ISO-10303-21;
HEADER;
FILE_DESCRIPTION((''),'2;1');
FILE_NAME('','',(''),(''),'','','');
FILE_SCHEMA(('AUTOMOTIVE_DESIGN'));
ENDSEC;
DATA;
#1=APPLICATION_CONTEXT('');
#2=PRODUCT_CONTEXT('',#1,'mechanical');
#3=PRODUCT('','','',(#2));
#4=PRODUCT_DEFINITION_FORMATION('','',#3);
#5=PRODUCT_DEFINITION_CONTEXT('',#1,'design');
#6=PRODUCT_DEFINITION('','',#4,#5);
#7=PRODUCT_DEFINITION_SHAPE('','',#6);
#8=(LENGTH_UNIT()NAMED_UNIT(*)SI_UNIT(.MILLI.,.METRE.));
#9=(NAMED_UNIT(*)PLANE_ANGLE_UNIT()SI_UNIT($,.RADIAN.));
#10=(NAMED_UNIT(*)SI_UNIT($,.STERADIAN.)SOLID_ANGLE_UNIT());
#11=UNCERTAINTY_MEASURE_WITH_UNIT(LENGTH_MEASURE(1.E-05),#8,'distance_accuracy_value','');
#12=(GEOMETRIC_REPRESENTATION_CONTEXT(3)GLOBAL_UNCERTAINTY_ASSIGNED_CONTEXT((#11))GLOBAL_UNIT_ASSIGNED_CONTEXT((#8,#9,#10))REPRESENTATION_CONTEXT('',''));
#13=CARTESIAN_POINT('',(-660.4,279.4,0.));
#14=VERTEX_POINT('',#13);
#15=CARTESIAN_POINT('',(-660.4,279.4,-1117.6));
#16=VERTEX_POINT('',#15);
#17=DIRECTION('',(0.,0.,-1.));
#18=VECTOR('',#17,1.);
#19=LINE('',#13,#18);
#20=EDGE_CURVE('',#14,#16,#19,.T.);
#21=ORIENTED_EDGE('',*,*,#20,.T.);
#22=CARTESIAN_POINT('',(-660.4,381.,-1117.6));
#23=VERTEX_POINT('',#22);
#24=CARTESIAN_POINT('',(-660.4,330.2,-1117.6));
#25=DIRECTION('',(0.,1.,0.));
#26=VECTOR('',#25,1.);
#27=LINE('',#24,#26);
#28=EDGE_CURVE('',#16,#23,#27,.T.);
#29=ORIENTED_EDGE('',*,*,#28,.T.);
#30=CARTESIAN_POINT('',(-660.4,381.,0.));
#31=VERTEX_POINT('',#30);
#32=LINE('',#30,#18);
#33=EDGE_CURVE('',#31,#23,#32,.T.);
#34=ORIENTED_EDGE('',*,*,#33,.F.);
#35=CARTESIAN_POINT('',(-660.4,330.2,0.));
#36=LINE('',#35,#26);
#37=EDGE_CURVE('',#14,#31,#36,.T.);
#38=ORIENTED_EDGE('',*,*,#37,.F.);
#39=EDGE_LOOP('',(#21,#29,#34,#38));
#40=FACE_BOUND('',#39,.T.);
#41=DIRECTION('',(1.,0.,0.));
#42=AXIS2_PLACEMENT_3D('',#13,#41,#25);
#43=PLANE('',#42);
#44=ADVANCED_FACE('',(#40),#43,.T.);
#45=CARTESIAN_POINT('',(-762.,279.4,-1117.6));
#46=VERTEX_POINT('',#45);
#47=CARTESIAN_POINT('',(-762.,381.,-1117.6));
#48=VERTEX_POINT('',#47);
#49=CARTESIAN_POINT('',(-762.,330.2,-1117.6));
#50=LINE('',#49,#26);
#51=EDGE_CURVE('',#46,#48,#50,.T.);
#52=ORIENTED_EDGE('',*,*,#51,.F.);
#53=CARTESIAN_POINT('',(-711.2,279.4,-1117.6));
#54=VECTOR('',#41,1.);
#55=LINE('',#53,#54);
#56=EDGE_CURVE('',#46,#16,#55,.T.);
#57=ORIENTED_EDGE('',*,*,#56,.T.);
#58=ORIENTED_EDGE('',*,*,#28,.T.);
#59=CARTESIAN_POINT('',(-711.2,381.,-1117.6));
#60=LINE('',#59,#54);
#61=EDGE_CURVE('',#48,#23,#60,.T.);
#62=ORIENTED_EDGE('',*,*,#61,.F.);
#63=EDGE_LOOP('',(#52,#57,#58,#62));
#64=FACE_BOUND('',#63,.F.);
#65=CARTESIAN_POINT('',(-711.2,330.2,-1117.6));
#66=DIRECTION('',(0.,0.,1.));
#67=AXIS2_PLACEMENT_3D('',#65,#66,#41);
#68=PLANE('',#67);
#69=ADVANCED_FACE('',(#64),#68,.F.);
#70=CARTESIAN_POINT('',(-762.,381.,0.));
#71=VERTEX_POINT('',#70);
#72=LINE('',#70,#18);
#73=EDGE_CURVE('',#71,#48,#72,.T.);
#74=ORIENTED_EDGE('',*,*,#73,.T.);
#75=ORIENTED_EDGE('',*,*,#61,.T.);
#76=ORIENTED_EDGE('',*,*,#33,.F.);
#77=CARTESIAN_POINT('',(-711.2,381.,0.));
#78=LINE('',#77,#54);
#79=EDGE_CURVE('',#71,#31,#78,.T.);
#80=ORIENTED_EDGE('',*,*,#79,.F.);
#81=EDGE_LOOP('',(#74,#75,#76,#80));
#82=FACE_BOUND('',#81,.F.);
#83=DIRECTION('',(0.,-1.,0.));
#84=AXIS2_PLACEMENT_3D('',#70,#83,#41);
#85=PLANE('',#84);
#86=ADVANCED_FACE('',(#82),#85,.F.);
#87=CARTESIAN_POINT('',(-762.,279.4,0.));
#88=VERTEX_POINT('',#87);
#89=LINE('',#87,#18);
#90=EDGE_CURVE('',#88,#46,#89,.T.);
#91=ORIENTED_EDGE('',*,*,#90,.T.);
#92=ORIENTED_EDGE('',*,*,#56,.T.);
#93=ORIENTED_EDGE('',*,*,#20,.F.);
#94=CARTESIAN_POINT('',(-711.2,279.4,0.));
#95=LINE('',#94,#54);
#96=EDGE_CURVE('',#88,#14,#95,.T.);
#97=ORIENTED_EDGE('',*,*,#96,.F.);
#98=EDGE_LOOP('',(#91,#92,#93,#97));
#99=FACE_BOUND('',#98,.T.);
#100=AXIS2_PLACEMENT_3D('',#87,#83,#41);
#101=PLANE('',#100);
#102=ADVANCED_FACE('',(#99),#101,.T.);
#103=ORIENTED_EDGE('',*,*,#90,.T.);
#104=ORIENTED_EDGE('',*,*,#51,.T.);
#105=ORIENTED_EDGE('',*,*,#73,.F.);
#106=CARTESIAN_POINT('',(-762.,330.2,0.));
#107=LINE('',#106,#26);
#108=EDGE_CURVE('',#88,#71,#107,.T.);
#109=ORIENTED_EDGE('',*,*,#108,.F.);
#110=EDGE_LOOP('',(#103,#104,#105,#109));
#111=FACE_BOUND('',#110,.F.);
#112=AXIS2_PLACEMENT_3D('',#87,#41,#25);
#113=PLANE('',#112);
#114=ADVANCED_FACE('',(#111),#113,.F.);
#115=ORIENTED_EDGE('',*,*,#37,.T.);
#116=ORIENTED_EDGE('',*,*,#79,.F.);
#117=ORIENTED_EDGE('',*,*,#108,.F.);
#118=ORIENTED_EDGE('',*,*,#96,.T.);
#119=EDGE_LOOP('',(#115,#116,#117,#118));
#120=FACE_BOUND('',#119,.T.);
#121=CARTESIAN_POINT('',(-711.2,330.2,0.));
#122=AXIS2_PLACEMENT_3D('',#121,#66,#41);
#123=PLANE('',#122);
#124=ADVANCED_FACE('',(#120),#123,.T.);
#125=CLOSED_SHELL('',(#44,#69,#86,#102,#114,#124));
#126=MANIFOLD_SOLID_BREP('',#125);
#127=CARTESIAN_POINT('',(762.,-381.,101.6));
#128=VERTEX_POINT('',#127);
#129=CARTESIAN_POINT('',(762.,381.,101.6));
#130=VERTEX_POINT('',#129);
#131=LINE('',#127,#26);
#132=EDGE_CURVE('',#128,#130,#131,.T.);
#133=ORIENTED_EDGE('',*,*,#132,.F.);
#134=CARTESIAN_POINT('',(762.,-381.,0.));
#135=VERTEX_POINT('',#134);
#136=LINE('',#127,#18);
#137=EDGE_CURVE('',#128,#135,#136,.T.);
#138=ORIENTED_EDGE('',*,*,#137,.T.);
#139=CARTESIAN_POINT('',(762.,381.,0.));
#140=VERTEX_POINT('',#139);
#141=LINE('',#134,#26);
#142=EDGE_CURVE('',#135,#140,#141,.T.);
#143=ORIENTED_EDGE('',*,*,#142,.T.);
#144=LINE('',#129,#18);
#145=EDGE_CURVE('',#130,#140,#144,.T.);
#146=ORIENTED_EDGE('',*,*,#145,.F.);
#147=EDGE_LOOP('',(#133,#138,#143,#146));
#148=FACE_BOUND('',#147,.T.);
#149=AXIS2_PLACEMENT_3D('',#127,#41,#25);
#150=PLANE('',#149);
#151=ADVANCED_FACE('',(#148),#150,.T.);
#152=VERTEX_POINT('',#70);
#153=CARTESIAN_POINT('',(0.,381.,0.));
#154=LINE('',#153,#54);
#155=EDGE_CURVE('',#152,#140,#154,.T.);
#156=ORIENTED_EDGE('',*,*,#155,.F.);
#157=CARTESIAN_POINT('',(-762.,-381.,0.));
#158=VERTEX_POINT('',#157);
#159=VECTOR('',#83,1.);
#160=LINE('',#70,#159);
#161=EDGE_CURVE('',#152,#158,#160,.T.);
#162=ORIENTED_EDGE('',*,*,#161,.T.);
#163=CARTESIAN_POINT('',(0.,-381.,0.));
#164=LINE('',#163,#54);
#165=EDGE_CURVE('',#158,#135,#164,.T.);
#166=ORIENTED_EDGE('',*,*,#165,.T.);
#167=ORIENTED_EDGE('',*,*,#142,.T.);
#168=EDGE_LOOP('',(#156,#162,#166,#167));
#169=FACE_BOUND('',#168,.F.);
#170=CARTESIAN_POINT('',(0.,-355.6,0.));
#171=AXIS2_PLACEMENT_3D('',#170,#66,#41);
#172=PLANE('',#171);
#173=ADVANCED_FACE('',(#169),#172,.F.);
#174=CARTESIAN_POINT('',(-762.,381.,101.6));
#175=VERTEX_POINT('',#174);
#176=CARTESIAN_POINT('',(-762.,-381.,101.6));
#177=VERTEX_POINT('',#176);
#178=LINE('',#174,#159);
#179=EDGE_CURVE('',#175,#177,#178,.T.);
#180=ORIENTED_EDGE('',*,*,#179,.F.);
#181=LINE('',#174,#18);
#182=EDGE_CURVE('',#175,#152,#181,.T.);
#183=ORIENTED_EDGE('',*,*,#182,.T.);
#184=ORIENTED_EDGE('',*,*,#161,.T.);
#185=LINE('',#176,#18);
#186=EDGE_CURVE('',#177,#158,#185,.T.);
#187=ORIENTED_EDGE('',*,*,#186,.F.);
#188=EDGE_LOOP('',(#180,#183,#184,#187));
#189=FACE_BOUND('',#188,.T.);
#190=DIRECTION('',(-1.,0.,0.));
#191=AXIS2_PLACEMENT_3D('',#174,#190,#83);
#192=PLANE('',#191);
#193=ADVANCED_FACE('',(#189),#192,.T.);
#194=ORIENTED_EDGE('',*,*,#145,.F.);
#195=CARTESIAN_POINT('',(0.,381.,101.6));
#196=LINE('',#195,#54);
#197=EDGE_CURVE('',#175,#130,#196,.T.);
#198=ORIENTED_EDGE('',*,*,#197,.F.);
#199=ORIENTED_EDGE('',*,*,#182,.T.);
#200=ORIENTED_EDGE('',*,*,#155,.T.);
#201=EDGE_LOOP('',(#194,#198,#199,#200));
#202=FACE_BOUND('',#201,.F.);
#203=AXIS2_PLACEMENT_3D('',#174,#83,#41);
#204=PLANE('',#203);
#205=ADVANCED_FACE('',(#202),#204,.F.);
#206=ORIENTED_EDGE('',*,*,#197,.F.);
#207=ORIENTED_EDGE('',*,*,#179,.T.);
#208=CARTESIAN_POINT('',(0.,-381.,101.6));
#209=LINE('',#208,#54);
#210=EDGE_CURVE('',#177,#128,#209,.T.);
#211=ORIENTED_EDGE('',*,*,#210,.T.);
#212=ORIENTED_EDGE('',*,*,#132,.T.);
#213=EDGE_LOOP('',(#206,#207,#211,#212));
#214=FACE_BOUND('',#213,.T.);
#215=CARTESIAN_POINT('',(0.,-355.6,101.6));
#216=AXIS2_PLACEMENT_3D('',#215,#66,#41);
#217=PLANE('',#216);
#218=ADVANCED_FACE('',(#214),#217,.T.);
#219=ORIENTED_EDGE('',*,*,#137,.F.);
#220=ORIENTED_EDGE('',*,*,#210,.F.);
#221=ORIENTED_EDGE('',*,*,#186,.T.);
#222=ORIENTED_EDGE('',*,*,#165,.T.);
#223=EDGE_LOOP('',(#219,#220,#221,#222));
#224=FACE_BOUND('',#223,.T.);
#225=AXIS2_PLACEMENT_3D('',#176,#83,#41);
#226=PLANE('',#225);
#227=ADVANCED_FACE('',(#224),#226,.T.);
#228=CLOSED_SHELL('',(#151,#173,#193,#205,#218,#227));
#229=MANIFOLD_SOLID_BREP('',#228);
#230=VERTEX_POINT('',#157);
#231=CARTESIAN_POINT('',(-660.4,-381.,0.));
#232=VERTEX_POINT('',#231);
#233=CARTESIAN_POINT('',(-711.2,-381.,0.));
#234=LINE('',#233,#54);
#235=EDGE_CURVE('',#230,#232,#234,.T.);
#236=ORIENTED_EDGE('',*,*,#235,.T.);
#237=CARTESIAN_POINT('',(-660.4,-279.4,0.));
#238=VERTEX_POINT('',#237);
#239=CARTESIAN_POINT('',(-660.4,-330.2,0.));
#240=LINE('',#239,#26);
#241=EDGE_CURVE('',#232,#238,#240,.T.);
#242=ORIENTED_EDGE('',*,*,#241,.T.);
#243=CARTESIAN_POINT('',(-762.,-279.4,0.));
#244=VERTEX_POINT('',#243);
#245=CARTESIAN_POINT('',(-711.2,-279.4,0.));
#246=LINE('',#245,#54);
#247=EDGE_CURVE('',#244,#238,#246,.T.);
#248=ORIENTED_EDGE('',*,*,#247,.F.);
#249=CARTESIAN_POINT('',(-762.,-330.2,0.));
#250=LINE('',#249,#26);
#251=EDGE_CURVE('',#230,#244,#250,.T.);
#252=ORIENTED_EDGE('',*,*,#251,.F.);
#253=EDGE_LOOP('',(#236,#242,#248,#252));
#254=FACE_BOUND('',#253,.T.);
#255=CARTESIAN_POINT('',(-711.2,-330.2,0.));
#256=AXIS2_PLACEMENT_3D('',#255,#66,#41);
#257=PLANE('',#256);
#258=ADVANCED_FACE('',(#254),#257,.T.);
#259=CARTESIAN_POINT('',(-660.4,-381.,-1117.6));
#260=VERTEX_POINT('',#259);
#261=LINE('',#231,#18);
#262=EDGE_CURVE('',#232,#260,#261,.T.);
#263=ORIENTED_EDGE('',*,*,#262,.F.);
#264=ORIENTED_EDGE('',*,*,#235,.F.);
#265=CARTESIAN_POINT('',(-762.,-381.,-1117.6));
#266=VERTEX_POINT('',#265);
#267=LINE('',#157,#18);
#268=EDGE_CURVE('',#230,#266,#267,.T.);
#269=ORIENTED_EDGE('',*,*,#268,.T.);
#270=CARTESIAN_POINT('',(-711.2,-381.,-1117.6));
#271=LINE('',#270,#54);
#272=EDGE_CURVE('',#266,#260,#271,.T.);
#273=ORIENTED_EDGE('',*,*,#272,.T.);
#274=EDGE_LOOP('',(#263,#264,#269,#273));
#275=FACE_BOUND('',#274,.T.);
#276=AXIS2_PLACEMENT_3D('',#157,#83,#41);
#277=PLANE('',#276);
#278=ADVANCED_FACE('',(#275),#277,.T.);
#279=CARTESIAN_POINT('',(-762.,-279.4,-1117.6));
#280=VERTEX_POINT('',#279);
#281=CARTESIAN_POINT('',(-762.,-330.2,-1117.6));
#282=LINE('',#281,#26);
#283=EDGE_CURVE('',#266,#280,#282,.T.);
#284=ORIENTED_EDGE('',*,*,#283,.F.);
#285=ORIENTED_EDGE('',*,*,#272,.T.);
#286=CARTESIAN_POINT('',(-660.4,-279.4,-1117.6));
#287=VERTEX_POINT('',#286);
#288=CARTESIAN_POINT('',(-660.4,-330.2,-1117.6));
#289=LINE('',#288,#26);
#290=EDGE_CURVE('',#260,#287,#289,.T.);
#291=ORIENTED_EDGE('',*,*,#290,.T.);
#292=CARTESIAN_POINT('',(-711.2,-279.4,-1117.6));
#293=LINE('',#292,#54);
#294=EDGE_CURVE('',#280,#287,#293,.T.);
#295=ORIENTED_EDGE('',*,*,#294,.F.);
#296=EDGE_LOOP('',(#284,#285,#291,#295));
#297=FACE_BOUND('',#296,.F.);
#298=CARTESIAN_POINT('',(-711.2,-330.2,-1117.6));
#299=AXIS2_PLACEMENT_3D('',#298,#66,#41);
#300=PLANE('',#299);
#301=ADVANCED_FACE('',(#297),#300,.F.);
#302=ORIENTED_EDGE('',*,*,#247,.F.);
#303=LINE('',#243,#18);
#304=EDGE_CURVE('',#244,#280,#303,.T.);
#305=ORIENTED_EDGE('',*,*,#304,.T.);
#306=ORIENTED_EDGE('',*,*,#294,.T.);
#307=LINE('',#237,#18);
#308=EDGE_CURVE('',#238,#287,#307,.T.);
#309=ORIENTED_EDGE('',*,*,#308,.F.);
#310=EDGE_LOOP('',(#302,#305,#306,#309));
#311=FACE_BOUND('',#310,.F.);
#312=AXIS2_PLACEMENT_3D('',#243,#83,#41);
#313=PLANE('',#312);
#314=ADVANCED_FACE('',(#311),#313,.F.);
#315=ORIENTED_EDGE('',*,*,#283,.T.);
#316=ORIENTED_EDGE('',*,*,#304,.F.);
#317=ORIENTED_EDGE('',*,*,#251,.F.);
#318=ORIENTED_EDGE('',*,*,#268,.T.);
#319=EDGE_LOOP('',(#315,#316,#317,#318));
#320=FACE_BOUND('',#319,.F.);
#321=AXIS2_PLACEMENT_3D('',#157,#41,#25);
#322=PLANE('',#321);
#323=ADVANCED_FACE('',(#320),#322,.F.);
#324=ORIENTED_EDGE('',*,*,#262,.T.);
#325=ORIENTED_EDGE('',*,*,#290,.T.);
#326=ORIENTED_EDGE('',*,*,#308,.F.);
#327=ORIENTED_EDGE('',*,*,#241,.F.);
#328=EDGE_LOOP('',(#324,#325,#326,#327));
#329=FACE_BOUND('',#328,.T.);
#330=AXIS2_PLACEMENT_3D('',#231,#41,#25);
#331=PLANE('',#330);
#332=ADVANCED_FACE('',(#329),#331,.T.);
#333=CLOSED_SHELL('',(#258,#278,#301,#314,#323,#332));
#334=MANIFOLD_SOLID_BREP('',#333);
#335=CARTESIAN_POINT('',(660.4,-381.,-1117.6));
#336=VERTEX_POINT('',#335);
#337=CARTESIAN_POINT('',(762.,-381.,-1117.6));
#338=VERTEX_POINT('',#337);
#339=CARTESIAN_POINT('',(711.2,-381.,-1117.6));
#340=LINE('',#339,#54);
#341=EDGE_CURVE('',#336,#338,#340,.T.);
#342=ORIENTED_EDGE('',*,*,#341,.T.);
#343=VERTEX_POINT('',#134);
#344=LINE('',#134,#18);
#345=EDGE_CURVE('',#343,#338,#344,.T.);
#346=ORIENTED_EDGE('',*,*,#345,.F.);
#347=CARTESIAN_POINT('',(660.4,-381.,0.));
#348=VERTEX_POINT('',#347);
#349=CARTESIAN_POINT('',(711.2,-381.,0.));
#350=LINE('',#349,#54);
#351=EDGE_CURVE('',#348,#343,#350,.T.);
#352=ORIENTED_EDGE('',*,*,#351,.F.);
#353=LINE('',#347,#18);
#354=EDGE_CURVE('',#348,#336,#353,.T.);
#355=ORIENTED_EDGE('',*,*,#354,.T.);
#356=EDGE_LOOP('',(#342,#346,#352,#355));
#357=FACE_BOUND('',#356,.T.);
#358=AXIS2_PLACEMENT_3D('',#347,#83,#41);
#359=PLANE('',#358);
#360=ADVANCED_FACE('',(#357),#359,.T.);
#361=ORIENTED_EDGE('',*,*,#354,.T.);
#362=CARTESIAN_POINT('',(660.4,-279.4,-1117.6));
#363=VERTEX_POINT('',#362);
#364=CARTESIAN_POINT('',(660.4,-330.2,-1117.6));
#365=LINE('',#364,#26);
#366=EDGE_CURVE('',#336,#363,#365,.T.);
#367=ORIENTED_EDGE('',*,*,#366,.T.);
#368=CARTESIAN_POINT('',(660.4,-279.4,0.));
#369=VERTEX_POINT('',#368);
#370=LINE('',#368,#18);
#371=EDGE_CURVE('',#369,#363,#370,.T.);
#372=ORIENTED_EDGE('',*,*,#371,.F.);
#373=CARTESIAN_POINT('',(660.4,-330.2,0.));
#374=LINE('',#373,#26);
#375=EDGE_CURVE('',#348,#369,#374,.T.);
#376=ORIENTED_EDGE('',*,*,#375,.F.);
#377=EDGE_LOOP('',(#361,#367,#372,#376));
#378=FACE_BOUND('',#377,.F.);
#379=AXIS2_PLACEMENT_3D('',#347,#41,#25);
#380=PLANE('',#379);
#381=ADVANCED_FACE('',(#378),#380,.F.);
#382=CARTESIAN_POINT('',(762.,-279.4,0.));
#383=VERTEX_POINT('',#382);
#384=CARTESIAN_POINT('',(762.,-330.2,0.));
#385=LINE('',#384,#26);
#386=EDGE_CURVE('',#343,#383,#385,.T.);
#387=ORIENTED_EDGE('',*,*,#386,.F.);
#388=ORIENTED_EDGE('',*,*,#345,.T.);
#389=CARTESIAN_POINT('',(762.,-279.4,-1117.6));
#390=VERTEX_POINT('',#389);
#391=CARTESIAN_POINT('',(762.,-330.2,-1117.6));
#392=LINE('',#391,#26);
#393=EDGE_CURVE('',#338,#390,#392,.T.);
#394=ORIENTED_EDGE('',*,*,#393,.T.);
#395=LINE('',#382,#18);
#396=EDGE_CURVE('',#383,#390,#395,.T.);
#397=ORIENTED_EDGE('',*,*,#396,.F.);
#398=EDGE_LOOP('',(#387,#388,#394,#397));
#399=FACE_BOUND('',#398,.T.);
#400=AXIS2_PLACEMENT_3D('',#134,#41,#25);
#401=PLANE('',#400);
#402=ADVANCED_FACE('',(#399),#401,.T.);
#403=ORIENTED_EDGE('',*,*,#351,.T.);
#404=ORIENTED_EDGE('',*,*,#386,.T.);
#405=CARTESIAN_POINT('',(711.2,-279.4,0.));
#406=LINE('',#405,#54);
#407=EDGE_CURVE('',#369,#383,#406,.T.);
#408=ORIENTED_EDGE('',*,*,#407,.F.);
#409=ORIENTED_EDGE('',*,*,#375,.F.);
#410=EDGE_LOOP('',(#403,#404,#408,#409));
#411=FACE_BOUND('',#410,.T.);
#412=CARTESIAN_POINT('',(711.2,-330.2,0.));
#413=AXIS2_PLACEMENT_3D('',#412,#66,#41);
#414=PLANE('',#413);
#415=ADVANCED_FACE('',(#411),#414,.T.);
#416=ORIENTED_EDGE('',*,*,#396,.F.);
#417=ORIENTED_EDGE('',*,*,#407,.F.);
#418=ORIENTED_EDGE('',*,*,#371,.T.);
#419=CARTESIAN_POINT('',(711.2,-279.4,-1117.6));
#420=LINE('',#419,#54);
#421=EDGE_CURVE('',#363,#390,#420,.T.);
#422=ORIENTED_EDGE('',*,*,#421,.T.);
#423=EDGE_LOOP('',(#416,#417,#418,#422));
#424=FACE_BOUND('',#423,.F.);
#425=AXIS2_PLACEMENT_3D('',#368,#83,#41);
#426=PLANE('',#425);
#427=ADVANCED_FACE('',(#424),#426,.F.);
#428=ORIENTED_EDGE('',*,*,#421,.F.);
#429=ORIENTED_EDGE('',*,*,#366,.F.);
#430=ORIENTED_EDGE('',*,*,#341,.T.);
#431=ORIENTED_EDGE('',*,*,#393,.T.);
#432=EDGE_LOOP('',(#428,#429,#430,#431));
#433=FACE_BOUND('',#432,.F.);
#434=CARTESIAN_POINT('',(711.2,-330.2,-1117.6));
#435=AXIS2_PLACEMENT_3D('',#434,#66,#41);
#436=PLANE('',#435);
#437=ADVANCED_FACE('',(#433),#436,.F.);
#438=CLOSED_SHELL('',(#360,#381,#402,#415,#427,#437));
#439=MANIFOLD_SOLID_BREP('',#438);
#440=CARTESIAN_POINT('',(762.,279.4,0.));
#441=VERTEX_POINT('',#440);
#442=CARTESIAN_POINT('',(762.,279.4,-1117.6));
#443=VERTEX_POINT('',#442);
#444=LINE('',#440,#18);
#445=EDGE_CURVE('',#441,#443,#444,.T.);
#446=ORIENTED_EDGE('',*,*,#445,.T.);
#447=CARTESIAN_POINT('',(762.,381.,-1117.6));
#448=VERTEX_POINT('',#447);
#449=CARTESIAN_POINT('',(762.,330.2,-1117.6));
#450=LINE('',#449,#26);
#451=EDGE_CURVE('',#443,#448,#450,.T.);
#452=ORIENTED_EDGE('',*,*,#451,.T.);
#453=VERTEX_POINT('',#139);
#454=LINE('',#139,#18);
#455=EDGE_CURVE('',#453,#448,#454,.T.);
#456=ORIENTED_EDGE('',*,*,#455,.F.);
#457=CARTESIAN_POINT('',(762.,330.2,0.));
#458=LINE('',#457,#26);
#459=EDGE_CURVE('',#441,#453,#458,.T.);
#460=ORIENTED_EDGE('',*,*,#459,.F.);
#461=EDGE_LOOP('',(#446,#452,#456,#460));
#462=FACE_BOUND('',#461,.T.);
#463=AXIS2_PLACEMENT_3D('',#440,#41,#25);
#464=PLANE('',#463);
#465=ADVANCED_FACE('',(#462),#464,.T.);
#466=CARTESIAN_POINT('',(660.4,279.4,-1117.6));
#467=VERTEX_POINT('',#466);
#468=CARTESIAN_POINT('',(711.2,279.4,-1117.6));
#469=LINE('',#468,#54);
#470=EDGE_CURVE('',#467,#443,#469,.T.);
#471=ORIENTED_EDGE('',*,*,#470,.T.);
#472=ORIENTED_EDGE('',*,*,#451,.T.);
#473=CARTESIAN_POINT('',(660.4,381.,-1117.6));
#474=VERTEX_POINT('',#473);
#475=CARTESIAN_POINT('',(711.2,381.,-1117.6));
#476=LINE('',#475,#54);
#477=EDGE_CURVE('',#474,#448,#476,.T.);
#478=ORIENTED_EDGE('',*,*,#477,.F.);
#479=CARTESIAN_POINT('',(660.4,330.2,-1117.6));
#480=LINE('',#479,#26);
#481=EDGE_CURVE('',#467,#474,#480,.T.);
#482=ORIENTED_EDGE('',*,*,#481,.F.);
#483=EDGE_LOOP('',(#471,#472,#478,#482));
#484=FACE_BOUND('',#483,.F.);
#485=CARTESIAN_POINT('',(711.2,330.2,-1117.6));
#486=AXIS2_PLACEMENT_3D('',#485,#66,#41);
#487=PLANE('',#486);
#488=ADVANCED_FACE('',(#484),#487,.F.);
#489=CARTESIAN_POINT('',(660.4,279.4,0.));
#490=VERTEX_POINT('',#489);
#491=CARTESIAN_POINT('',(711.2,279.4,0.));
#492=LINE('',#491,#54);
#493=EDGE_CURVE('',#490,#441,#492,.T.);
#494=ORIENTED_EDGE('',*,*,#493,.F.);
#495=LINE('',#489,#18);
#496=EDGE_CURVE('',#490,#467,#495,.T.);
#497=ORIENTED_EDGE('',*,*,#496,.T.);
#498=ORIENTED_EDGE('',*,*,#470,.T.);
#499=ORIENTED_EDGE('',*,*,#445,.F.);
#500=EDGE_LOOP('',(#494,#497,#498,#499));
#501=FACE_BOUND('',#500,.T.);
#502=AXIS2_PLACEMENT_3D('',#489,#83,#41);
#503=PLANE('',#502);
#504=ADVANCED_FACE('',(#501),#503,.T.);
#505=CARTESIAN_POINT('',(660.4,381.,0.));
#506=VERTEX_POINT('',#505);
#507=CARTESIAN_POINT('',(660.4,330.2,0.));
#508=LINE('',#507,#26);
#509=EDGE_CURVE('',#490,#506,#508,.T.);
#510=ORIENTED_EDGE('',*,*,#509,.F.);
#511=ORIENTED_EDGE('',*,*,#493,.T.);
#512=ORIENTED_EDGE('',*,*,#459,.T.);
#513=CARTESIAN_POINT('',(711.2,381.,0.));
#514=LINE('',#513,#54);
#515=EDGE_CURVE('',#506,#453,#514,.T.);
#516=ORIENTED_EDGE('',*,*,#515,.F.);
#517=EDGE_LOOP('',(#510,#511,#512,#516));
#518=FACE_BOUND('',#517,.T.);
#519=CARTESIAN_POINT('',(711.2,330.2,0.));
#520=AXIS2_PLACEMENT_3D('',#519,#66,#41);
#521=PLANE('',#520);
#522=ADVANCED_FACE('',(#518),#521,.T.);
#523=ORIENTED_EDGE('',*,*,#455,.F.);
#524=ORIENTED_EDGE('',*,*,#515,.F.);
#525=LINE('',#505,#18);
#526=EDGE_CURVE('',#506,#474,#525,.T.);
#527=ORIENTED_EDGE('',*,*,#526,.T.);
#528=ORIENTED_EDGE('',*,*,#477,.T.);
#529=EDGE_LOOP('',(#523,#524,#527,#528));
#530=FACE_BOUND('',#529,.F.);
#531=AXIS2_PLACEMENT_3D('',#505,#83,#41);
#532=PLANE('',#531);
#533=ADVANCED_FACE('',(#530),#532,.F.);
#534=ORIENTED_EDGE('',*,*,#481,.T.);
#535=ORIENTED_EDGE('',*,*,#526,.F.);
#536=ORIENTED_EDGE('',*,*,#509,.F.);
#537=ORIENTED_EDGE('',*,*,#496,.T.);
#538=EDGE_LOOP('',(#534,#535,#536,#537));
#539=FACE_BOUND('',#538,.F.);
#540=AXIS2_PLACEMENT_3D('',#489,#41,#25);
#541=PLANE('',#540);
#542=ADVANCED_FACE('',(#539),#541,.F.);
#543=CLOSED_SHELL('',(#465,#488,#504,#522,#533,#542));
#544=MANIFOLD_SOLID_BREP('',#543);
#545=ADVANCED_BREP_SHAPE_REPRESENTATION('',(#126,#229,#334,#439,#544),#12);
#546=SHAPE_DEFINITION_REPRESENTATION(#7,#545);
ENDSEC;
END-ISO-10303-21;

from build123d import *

# Parameters (mm, degrees)
F4_W     = 101.6
F4_H     = 101.6
F5_DEPTH = 1117.6
F6_W     = 1524
F6_H     = 50.8
F7_DEPTH = 101.6


with BuildPart() as f5:
    # F4 (on Top) → F5 (new body)
    with BuildSketch(Plane.XY):
        with Locations((-711.2, 330.2)):
            Rectangle(F4_W, F4_H)
    extrude(amount=-F5_DEPTH)


with BuildPart() as f5b:
    # F4 (on Top) → F5, piece 2 (new body)
    with BuildSketch(Plane.XY):
        with Locations((711.2, 330.2)):
            Rectangle(F4_W, F4_H)
    extrude(amount=-F5_DEPTH)


with BuildPart() as f5c:
    # F4 (on Top) → F5, piece 3 (new body)
    with BuildSketch(Plane.XY):
        with Locations((711.2, -330.2)):
            Rectangle(F4_W, F4_H)
    extrude(amount=-F5_DEPTH)


with BuildPart() as f5d:
    # F4 (on Top) → F5, piece 4 (new body)
    with BuildSketch(Plane.XY):
        with Locations((-711.2, -330.2)):
            Rectangle(F4_W, F4_H)
    extrude(amount=-F5_DEPTH)


with BuildPart() as f7:
    # F6 (on offset) → F7 (new body)
    with BuildSketch(Plane.XY.offset(101.6)):
        with Locations((0, -355.6)):
            Rectangle(F6_W, F6_H)
        with Locations((0, -304.8)):
            Rectangle(F6_W, F6_H)
        with Locations((0, -254)):
            Rectangle(F6_W, F6_H)
        with Locations((0, -203.2)):
            Rectangle(F6_W, F6_H)
        with Locations((0, -152.4)):
            Rectangle(F6_W, F6_H)
        with Locations((0, -101.6)):
            Rectangle(F6_W, F6_H)
        with Locations((0, -50.8)):
            Rectangle(F6_W, F6_H)
        Rectangle(F6_W, F6_H)
        with Locations((0, 50.8)):
            Rectangle(F6_W, F6_H)
        with Locations((0, 101.6)):
            Rectangle(F6_W, F6_H)
        with Locations((0, 152.4)):
            Rectangle(F6_W, F6_H)
        with Locations((0, 203.2)):
            Rectangle(F6_W, F6_H)
        with Locations((0, 254)):
            Rectangle(F6_W, F6_H)
        with Locations((0, 304.8)):
            Rectangle(F6_W, F6_H)
        with Locations((0, 355.6)):
            Rectangle(F6_W, F6_H)
    extrude(amount=-F7_DEPTH)


solid = Compound([f5.part, f5b.part, f5c.part, f5d.part, f7.part])
